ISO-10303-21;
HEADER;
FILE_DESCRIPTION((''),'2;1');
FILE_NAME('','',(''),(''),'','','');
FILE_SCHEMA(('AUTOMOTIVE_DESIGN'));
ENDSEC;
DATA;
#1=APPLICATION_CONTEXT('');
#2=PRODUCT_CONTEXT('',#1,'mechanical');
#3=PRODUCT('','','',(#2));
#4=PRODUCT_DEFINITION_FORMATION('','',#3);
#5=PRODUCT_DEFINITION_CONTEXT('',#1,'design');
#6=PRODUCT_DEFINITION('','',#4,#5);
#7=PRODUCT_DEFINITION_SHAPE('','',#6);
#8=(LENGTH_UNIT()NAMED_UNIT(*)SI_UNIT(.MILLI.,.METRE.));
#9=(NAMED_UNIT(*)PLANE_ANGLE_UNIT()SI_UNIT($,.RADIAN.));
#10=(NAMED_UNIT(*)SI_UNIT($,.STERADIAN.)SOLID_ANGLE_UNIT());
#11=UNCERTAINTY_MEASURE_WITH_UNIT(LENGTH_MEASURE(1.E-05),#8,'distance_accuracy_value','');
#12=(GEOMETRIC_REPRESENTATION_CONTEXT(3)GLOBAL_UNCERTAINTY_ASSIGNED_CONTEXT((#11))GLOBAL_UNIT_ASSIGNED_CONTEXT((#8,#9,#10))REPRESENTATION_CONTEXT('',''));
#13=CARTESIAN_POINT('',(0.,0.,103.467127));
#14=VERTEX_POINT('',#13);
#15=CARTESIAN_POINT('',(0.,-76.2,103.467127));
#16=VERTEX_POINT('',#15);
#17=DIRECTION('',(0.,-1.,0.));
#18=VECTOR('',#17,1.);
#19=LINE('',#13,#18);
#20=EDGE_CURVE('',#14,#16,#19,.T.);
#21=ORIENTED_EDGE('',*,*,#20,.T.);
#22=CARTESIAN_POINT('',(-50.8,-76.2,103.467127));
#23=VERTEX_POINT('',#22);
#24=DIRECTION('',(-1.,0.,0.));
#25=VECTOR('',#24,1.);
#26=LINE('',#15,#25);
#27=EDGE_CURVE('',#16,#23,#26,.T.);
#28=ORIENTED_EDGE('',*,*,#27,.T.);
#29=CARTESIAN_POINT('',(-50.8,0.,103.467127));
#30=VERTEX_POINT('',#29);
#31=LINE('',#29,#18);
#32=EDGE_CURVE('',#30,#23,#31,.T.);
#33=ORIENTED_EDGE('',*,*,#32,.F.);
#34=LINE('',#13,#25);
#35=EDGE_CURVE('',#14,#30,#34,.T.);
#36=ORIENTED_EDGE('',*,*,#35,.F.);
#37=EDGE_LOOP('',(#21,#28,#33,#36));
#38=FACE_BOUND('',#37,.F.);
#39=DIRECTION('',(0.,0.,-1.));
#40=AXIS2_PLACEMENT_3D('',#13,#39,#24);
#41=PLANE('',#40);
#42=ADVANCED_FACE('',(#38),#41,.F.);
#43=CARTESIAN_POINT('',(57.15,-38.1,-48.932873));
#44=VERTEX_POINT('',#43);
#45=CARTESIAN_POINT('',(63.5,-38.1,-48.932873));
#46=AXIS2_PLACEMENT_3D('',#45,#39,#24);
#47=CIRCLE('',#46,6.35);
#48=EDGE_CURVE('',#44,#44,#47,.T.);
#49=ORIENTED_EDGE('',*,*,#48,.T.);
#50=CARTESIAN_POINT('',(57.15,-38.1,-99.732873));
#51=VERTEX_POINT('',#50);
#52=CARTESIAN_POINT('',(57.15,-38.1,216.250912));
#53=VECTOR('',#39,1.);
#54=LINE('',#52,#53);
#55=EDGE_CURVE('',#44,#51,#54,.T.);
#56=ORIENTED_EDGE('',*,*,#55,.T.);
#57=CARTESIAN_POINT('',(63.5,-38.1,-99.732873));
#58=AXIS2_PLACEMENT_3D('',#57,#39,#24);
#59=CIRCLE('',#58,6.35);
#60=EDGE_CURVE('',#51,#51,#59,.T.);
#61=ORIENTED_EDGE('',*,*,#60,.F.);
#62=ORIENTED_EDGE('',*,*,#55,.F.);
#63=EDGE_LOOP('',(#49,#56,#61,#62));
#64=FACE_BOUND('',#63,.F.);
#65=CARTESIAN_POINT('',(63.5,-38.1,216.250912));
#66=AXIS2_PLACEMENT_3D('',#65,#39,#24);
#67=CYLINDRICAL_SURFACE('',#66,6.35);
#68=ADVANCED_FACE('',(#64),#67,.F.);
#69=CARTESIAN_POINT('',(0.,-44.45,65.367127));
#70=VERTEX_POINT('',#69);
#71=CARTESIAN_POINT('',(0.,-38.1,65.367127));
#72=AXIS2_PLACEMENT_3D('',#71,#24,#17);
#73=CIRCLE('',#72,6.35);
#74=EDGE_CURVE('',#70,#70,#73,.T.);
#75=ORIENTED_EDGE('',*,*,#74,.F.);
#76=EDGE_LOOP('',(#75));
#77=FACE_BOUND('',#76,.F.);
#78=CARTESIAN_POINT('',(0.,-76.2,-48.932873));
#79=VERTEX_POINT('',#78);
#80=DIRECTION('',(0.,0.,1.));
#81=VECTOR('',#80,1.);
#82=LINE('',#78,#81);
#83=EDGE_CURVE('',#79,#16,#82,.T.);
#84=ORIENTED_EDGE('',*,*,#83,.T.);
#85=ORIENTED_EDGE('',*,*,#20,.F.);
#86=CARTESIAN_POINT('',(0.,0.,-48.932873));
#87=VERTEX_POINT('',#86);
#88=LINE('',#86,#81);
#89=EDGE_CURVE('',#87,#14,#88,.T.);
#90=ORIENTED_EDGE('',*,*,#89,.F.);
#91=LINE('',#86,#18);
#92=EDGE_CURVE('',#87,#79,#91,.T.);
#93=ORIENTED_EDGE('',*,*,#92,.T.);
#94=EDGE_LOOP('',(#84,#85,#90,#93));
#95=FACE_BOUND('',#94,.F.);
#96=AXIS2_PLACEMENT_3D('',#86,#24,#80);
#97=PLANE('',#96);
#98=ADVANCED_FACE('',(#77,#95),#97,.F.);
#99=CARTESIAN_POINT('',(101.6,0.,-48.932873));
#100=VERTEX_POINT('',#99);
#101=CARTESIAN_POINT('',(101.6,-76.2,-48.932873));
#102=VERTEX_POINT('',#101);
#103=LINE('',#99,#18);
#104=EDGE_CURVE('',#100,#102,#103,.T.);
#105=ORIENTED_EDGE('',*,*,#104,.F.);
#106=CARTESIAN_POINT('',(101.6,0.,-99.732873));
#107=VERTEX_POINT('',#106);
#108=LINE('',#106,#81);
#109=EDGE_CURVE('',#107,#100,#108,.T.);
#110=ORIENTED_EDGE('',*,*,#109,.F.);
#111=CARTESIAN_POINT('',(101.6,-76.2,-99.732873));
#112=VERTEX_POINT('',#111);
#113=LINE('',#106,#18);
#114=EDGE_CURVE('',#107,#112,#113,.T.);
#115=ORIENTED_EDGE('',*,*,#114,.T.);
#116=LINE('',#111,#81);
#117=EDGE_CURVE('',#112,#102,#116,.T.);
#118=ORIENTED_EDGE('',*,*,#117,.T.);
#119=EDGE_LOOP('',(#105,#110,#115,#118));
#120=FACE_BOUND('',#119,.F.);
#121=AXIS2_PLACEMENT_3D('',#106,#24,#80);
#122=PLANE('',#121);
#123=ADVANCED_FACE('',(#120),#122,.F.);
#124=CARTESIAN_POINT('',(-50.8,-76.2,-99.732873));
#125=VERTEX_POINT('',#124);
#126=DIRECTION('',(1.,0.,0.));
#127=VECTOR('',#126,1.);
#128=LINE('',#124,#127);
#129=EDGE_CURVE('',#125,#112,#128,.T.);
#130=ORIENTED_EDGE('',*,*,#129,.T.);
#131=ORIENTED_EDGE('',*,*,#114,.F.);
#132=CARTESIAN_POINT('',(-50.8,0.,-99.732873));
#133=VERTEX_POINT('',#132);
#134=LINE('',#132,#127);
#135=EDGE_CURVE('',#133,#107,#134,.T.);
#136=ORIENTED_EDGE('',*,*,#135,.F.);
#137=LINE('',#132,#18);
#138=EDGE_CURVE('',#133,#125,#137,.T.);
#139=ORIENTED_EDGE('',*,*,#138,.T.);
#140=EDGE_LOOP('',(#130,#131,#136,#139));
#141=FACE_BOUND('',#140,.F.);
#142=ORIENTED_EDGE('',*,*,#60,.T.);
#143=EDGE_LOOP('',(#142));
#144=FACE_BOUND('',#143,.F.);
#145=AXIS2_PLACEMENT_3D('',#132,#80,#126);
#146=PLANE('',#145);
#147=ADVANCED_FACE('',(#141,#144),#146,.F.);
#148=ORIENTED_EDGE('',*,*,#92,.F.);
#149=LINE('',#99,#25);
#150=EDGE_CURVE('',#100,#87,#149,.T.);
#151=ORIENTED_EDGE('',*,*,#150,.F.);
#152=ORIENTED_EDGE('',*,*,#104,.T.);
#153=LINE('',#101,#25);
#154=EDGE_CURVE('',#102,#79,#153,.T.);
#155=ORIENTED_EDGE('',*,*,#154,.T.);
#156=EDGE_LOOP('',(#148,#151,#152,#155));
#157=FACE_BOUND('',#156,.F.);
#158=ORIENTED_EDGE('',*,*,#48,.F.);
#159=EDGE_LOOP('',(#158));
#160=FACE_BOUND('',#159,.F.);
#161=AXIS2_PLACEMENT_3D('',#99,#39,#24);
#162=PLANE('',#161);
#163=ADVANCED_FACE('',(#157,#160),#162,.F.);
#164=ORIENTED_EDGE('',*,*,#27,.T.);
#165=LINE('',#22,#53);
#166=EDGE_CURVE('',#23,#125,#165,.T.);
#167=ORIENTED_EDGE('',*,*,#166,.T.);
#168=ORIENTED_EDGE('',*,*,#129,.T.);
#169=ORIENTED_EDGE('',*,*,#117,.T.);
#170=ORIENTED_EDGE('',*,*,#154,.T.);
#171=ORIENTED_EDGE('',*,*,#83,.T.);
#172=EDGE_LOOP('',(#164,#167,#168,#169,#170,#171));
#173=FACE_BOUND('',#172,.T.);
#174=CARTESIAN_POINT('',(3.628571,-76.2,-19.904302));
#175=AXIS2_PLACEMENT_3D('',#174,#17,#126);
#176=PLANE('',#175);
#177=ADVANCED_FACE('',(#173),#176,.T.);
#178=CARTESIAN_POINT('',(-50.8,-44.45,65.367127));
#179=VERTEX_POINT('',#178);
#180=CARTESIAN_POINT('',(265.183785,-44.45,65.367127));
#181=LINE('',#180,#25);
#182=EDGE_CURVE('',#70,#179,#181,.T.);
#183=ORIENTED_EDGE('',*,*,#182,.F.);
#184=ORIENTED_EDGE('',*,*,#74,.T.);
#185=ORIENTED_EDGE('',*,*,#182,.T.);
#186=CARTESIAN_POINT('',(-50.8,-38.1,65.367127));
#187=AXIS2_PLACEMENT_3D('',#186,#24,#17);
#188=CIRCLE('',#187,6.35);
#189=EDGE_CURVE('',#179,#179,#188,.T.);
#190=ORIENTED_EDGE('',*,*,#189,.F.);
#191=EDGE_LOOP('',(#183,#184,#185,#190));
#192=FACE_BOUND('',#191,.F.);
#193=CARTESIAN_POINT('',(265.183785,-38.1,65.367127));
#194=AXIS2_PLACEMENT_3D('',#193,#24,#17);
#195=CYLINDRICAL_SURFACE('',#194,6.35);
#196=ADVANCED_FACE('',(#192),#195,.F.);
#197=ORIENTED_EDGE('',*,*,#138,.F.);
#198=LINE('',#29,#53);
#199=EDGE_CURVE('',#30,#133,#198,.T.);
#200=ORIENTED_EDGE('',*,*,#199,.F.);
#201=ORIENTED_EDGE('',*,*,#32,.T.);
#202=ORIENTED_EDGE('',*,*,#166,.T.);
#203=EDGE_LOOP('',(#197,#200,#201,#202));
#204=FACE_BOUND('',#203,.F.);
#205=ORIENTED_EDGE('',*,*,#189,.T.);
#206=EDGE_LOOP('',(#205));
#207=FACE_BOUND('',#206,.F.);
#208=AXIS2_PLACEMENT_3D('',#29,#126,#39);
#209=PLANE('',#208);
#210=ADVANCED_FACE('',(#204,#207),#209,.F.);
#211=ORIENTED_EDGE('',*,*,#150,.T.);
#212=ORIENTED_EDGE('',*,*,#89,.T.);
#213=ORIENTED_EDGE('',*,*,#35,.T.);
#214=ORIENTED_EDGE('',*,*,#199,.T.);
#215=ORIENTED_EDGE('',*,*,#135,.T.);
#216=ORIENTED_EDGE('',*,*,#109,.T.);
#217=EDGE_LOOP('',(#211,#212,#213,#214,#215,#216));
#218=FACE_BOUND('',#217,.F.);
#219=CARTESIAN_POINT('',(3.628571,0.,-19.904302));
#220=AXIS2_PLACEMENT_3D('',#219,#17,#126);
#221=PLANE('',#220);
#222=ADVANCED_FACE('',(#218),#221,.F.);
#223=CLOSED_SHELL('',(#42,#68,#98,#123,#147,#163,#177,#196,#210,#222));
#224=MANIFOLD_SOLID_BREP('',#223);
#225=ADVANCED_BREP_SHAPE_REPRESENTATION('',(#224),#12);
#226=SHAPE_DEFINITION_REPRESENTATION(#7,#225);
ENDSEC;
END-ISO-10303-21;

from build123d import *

# Parameters (mm, degrees)
F1_DEPTH = 76.2
F4_D     = 12.7
F6_D     = 12.7


with BuildPart() as f1:
    # F0 (on Front) → F1 (new body)
    with BuildSketch(Plane.XZ):
        Polygon((0, 103.467127), (-50.8, 103.467127), (-50.8, -99.732873), (101.6, -99.732873), (101.6, -48.932873), (0, -48.932873), align=None)
    extrude(amount=F1_DEPTH)

    # F4 (through all)
    with Locations(Plane.YZ):
        with Locations((-38.1, 65.367127)):
            Hole(F4_D / 2)

    # F6 (through all)
    with Locations(Plane.XY.offset(-48.932873)):
        with Locations((63.5, -38.1)):
            Hole(F6_D / 2)


solid = f1.part
